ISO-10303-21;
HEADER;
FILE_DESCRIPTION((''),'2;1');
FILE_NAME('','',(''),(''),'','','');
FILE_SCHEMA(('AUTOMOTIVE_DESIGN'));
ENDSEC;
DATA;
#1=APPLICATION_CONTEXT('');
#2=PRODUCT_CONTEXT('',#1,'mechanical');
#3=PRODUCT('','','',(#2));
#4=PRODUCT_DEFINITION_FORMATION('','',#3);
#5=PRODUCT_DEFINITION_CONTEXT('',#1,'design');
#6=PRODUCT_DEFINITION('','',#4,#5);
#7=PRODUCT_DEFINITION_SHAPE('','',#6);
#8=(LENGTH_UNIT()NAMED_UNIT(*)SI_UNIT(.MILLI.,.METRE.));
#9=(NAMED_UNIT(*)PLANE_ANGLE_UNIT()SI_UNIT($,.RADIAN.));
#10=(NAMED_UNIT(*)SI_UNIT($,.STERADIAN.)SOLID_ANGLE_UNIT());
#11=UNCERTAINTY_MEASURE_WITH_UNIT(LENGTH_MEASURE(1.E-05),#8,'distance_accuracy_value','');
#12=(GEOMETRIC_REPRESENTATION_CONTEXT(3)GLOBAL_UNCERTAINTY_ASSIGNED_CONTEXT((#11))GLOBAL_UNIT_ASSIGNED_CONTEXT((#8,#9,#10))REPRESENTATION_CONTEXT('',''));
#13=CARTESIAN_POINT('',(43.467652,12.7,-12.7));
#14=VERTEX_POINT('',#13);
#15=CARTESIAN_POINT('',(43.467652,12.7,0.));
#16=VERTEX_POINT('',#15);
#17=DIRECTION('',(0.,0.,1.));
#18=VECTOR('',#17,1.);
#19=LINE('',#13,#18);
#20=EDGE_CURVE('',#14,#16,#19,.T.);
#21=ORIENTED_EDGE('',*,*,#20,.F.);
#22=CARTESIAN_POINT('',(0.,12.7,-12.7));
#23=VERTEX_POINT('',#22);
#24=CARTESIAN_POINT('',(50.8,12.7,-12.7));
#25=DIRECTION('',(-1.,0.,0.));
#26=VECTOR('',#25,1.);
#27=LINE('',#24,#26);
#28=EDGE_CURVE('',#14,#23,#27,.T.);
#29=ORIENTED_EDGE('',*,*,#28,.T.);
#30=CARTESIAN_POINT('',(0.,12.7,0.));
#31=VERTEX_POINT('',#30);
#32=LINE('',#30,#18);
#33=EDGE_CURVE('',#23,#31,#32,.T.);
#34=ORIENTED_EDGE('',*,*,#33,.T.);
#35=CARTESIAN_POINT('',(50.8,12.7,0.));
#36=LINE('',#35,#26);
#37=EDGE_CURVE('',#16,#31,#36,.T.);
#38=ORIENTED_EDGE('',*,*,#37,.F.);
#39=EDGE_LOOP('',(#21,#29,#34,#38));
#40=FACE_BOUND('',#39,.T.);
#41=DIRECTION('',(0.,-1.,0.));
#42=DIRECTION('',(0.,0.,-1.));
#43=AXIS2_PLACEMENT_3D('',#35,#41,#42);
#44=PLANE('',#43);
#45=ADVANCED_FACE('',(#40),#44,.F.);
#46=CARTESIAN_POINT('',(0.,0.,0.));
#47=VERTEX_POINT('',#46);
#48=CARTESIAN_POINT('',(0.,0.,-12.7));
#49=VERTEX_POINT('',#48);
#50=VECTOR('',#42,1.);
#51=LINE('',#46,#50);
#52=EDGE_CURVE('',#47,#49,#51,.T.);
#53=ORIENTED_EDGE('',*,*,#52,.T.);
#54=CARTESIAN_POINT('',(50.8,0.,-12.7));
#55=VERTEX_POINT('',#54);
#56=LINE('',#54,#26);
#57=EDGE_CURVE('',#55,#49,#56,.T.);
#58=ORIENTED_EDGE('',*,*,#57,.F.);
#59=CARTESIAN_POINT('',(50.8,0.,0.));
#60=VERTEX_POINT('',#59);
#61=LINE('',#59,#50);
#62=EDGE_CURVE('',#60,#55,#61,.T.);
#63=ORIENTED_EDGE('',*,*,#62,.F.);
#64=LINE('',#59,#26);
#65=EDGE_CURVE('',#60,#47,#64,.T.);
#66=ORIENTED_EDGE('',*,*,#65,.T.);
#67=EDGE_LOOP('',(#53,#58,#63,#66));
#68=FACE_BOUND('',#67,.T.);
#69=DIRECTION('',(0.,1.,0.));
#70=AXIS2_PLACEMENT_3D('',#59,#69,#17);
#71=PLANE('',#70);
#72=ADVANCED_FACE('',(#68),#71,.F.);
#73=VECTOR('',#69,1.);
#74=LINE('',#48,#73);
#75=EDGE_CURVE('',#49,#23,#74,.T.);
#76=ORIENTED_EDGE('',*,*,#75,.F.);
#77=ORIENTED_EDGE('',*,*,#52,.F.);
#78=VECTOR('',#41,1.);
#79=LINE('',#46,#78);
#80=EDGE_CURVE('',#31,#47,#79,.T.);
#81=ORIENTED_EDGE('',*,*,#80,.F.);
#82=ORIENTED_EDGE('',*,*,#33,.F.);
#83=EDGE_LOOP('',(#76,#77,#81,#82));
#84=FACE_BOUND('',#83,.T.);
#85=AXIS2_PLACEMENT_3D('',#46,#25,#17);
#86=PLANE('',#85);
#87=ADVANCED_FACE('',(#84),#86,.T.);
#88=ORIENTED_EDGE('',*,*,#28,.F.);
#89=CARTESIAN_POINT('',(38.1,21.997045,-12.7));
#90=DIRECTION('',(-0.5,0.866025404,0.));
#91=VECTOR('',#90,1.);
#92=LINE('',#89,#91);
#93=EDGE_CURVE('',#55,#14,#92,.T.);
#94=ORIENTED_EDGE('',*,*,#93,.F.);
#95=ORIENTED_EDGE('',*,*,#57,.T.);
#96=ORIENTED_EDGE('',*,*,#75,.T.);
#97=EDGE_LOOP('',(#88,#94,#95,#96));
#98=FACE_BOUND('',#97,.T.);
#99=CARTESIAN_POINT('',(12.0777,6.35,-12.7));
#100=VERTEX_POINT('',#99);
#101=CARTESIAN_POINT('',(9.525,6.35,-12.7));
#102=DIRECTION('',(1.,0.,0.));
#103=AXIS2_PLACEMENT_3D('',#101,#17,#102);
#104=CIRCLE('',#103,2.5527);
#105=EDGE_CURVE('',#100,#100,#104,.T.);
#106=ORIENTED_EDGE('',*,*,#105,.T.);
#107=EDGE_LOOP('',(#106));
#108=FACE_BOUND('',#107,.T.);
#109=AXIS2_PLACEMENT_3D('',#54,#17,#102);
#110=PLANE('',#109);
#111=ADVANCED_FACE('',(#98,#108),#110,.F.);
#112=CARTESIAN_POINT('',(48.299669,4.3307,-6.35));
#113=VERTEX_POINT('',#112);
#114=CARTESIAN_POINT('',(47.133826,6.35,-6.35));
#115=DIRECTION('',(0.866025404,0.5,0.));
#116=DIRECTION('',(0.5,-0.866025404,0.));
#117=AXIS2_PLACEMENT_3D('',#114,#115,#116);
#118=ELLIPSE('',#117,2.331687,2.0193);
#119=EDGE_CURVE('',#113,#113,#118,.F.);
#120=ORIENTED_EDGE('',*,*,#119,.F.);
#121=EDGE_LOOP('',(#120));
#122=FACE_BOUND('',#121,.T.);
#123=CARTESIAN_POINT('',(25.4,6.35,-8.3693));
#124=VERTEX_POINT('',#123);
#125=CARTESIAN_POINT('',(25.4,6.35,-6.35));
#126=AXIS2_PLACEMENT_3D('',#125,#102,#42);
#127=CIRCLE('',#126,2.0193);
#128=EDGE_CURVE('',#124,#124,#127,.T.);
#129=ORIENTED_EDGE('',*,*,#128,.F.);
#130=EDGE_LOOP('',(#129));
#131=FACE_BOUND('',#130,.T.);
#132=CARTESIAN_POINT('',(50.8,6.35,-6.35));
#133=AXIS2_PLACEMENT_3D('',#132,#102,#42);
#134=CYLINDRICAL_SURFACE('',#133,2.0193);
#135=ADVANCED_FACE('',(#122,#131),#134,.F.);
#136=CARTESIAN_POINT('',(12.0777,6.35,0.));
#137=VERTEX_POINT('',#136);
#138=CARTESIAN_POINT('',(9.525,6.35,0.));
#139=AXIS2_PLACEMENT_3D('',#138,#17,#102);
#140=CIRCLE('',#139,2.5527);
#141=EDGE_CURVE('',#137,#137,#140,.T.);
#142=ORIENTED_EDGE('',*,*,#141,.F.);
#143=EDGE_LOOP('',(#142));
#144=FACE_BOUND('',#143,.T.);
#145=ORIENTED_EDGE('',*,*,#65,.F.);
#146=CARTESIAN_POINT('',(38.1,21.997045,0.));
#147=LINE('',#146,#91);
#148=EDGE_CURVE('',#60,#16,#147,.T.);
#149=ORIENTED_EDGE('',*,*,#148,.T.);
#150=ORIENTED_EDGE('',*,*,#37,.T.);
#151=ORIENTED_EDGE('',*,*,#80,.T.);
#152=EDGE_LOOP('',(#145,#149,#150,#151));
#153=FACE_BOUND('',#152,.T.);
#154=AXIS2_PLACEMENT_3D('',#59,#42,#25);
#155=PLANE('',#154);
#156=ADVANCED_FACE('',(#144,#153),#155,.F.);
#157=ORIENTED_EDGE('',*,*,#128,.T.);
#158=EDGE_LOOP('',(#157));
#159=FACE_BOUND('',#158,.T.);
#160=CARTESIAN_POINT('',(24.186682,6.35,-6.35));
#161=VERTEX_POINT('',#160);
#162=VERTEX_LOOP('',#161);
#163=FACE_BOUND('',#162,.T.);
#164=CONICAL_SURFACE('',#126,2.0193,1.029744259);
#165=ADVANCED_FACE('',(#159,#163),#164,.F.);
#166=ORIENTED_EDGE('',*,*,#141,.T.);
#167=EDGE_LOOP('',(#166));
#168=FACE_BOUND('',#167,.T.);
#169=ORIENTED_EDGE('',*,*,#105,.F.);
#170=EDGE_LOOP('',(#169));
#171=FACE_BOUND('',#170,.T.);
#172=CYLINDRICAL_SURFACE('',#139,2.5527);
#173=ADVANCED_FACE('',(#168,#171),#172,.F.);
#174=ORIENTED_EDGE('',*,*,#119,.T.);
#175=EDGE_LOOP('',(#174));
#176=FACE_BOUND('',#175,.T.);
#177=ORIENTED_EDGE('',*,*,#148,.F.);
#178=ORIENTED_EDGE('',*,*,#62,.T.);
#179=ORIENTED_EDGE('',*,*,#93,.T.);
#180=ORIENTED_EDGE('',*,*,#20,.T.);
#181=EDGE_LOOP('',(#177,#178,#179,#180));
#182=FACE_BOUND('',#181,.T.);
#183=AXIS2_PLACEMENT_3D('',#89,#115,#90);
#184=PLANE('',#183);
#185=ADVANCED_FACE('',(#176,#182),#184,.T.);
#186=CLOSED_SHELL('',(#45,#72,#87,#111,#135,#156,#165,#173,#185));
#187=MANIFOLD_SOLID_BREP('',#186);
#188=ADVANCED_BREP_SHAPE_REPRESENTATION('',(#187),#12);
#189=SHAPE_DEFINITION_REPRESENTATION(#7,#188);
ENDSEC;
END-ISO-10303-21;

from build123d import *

# Parameters (mm, degrees)
SKETCH1_W                  = 12.7
SKETCH1_H                  = 12.7
BOSS_EXTRUDE1_DEPTH        = 50.8
F_10_32_TAPPED_HOLE1_D     = 4.0386
F_10_32_TAPPED_HOLE1_DEPTH = 25.4
F_10_32_TAPPED_HOLE1_TIP   = 1.213317848
CUT_EXTRUDE1_DEPTH         = 13.7
F_10_CLEARANCE_HOLE1_D     = 5.1054


with BuildPart() as part:
    # Sketch1 → Boss-Extrude1 (new body)
    with BuildSketch(Plane(origin=(0, 0, 0), x_dir=(0, 0, -1), z_dir=(1, 0, 0))):
        with Locations((6.35, 6.35)):
            Rectangle(SKETCH1_W, SKETCH1_H)
    extrude(amount=BOSS_EXTRUDE1_DEPTH)

    # #10-32 Tapped Hole1
    with Locations(Plane(origin=(50.8, 6.35, -6.35), x_dir=(0, 0, 1), z_dir=(1, 0, 0))):
        with Locations((0, 0)):
            Hole(F_10_32_TAPPED_HOLE1_D / 2, depth=F_10_32_TAPPED_HOLE1_DEPTH)
            with Locations((0, 0, -(F_10_32_TAPPED_HOLE1_DEPTH + F_10_32_TAPPED_HOLE1_TIP / 2))):  # 118° drill point
                Cone(0, F_10_32_TAPPED_HOLE1_D / 2, F_10_32_TAPPED_HOLE1_TIP, mode=Mode.SUBTRACT)

    # Sketch3 → Cut-Extrude1 (cut, through all)
    with BuildSketch(Plane.XY):
        Polygon((43.467651581, 12.7), (50.8, 0), (50.8, 12.7), align=None)
    extrude(amount=-CUT_EXTRUDE1_DEPTH, mode=Mode.SUBTRACT)

    # #10 Clearance Hole1 (through all)
    with Locations(Plane(origin=(9.525, 6.35, 0), x_dir=(1, 0, 0), z_dir=(0, 0, 1))):
        with Locations((0, 0)):
            Hole(F_10_CLEARANCE_HOLE1_D / 2)


solid = part.part
